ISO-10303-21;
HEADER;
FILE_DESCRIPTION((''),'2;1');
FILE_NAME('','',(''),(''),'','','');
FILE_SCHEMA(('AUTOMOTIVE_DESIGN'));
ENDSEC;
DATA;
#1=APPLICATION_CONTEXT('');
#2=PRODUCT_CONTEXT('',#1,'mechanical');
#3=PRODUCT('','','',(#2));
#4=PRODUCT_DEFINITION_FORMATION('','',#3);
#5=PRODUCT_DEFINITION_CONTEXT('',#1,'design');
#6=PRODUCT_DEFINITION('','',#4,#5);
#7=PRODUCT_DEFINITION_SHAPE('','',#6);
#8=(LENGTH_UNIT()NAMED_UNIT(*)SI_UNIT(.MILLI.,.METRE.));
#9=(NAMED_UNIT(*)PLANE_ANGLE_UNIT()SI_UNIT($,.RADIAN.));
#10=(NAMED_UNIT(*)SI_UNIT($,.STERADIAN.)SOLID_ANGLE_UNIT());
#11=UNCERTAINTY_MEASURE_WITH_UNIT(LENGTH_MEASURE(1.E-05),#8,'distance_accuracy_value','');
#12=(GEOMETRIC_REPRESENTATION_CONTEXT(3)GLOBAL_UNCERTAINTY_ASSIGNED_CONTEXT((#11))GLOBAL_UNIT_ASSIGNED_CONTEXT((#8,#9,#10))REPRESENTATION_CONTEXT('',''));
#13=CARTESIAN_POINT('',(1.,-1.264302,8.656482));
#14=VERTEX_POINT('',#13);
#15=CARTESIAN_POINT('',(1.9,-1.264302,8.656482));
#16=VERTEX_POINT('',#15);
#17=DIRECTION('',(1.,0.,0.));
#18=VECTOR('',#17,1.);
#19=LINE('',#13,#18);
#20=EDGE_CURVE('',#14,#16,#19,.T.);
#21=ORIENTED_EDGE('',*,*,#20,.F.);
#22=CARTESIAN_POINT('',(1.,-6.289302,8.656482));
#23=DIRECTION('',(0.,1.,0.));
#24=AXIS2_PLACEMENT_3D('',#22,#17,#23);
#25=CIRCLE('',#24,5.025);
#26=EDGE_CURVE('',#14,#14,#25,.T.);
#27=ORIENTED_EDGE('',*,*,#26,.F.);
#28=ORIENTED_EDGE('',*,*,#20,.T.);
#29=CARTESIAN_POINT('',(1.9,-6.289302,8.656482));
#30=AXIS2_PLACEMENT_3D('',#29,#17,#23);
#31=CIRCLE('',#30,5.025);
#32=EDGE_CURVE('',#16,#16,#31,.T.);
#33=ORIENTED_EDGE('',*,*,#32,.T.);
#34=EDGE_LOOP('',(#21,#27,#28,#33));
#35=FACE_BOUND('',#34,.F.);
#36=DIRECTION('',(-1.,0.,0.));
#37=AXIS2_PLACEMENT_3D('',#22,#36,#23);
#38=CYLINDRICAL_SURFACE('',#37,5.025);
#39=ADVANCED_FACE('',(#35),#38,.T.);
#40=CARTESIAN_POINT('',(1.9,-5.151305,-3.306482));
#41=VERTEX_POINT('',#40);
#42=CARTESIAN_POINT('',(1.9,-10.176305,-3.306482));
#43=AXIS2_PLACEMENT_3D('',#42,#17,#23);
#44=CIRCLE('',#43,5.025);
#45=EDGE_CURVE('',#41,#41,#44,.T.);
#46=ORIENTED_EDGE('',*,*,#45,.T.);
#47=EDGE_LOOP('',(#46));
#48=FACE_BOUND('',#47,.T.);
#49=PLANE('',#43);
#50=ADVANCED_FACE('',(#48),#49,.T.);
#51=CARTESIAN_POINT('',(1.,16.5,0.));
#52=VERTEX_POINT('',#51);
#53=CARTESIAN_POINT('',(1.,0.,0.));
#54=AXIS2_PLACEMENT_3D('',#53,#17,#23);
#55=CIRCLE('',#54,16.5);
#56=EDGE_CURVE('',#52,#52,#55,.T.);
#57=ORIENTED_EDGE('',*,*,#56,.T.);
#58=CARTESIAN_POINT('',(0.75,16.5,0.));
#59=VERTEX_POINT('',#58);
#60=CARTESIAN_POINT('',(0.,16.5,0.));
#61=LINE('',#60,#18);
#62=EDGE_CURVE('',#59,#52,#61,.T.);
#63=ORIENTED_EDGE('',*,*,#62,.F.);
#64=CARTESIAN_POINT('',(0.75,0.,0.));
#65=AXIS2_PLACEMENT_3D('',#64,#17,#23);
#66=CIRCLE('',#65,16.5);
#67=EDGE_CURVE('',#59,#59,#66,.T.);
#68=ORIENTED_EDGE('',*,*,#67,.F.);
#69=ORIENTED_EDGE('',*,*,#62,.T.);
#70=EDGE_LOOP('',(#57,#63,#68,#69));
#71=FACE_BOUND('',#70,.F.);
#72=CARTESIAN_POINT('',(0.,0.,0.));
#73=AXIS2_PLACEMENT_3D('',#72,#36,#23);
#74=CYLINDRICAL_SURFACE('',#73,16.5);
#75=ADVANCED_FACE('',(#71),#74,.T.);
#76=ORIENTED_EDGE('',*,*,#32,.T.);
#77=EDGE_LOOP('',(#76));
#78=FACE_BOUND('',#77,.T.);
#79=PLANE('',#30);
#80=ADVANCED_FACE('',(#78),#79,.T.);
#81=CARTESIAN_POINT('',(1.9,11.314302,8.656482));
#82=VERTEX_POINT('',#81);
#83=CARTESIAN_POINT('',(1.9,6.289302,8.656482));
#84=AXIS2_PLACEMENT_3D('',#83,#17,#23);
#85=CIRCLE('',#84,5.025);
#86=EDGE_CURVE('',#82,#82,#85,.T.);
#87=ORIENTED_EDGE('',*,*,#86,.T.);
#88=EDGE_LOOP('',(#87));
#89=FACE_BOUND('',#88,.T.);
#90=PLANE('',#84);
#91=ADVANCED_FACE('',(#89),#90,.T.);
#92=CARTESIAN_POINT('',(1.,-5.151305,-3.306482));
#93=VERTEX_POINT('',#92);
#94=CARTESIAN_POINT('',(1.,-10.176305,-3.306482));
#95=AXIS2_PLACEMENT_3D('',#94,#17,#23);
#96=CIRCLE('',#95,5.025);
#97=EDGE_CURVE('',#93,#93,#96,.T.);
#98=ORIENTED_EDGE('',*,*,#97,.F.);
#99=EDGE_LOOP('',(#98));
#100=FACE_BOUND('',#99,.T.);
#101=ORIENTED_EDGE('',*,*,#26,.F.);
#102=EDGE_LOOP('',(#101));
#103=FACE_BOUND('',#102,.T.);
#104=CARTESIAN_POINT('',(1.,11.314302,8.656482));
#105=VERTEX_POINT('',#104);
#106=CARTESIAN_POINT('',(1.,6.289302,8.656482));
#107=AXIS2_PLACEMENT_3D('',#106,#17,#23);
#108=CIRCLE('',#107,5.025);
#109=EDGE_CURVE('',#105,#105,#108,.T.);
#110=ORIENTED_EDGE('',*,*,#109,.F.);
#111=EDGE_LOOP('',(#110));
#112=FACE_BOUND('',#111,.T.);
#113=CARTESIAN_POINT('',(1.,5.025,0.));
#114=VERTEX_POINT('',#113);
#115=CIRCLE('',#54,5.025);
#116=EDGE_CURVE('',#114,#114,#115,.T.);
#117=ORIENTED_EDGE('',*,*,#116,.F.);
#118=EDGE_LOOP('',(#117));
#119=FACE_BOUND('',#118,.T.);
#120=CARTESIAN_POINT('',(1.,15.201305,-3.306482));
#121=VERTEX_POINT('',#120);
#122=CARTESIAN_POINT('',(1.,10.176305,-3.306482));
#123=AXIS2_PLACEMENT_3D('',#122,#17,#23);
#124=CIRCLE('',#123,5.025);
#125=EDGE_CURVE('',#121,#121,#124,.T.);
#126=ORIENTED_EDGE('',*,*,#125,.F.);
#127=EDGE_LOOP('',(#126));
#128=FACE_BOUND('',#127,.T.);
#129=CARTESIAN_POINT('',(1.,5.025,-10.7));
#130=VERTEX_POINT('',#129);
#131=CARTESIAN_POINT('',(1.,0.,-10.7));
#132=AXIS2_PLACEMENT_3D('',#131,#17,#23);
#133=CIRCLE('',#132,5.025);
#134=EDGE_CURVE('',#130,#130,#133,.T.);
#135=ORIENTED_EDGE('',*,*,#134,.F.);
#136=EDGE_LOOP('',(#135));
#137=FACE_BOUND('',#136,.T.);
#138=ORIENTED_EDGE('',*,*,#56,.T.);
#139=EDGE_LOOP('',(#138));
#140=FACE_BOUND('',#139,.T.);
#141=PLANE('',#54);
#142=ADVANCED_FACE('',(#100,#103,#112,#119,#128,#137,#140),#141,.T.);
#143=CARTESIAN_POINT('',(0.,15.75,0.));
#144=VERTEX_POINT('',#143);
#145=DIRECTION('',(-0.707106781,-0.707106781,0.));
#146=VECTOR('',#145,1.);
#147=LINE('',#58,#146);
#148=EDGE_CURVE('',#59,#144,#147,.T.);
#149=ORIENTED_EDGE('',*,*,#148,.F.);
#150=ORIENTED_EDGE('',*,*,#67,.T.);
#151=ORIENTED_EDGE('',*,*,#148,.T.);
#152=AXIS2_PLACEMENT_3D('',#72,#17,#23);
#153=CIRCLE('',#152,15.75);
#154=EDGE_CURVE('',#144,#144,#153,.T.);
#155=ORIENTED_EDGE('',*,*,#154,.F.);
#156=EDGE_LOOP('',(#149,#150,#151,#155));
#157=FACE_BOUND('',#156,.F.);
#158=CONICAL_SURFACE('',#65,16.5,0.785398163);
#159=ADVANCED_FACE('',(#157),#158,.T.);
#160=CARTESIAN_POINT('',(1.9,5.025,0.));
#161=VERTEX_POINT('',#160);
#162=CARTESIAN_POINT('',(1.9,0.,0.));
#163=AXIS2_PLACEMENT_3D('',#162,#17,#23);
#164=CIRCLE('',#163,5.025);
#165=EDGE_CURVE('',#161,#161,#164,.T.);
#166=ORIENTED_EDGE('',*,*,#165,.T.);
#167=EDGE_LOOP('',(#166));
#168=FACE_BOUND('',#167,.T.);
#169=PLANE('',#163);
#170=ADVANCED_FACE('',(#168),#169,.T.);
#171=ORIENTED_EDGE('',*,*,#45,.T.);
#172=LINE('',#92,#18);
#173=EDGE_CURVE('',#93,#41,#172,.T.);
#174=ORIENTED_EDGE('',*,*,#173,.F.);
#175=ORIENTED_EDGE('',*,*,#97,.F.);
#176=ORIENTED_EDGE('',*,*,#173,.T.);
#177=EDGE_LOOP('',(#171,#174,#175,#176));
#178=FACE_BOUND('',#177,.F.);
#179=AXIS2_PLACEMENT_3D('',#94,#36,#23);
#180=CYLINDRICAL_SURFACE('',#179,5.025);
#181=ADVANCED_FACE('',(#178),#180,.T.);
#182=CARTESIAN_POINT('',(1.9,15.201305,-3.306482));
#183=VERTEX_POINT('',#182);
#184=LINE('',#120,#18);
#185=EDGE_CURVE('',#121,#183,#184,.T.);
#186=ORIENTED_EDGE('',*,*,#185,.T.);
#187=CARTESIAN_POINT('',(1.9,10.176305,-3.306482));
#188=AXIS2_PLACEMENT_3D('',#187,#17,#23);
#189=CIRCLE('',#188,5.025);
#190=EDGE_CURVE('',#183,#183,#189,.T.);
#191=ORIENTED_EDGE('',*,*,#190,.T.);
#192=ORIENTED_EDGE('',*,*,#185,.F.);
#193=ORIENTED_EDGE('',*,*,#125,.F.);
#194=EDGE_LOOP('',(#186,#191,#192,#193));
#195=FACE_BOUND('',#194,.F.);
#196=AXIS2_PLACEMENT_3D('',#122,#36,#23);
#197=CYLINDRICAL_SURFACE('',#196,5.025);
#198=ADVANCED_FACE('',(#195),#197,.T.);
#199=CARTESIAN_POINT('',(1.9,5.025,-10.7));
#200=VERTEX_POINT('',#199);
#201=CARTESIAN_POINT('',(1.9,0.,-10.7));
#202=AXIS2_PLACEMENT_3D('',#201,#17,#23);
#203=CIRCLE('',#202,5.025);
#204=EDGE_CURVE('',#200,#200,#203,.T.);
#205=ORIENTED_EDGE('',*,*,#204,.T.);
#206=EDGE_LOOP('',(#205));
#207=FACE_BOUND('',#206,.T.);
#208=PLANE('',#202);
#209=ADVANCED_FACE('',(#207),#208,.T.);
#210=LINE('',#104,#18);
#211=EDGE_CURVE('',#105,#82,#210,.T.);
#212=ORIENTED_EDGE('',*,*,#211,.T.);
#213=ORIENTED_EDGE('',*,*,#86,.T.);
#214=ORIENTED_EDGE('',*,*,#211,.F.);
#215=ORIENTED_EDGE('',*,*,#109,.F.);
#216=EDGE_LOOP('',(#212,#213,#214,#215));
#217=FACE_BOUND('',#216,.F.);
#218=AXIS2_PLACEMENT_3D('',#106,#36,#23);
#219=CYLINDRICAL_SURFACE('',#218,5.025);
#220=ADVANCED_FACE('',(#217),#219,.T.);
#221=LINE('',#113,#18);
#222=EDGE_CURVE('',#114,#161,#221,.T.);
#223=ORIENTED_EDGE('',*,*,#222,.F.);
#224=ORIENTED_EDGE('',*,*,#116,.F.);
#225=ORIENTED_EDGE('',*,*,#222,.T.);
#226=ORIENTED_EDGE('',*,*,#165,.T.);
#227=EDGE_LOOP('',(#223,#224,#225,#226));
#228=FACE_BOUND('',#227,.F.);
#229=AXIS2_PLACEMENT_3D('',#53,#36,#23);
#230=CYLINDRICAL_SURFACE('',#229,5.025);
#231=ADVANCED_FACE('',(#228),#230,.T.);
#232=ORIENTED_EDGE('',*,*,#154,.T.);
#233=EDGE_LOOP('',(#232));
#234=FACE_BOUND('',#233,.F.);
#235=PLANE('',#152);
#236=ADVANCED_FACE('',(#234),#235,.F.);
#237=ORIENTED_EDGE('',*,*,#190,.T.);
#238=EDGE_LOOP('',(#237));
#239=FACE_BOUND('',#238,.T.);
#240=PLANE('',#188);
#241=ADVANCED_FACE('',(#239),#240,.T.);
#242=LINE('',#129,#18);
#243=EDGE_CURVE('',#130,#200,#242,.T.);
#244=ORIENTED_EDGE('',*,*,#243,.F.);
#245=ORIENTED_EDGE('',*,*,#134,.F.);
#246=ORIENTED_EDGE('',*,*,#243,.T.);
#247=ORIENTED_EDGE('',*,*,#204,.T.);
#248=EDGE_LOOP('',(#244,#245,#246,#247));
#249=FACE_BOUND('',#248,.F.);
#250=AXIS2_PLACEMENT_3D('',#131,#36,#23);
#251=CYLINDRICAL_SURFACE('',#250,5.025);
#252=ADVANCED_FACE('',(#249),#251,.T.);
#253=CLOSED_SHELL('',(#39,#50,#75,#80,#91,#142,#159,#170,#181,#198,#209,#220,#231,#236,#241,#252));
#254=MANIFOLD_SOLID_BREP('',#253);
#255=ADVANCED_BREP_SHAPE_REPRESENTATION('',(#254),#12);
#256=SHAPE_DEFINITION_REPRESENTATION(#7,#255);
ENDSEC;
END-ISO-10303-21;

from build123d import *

# Parameters (mm, degrees)
F0_R     = 16.5
F1_DEPTH = 1
F2_R     = 5.025
F3_DEPTH = 0.9
F4_SIZE  = 0.75


with BuildPart() as f1:
    # F0 (on Right) → F1 (new body)
    with BuildSketch(Plane.YZ):
        Circle(F0_R)
    extrude(amount=F1_DEPTH)

    # F2 (on face) → F3 (join)
    with BuildSketch(Plane.YZ.offset(1)):
        Circle(F2_R)
        with Locations((0, -10.7)):
            Circle(F2_R)
        with Locations((10.176305, -3.306482)):
            Circle(F2_R)
        with Locations((6.289302, 8.656482)):
            Circle(F2_R)
        with Locations((-6.289302, 8.656482)):
            Circle(F2_R)
        with Locations((-10.176305, -3.306482)):
            Circle(F2_R)
    extrude(amount=F3_DEPTH)

    # F4
    f4_edges = [f1.edges().sort_by_distance(p)[0] for p in [
        (0, -16.5, 0),
    ]]
    chamfer(f4_edges, length=F4_SIZE)


solid = f1.part
